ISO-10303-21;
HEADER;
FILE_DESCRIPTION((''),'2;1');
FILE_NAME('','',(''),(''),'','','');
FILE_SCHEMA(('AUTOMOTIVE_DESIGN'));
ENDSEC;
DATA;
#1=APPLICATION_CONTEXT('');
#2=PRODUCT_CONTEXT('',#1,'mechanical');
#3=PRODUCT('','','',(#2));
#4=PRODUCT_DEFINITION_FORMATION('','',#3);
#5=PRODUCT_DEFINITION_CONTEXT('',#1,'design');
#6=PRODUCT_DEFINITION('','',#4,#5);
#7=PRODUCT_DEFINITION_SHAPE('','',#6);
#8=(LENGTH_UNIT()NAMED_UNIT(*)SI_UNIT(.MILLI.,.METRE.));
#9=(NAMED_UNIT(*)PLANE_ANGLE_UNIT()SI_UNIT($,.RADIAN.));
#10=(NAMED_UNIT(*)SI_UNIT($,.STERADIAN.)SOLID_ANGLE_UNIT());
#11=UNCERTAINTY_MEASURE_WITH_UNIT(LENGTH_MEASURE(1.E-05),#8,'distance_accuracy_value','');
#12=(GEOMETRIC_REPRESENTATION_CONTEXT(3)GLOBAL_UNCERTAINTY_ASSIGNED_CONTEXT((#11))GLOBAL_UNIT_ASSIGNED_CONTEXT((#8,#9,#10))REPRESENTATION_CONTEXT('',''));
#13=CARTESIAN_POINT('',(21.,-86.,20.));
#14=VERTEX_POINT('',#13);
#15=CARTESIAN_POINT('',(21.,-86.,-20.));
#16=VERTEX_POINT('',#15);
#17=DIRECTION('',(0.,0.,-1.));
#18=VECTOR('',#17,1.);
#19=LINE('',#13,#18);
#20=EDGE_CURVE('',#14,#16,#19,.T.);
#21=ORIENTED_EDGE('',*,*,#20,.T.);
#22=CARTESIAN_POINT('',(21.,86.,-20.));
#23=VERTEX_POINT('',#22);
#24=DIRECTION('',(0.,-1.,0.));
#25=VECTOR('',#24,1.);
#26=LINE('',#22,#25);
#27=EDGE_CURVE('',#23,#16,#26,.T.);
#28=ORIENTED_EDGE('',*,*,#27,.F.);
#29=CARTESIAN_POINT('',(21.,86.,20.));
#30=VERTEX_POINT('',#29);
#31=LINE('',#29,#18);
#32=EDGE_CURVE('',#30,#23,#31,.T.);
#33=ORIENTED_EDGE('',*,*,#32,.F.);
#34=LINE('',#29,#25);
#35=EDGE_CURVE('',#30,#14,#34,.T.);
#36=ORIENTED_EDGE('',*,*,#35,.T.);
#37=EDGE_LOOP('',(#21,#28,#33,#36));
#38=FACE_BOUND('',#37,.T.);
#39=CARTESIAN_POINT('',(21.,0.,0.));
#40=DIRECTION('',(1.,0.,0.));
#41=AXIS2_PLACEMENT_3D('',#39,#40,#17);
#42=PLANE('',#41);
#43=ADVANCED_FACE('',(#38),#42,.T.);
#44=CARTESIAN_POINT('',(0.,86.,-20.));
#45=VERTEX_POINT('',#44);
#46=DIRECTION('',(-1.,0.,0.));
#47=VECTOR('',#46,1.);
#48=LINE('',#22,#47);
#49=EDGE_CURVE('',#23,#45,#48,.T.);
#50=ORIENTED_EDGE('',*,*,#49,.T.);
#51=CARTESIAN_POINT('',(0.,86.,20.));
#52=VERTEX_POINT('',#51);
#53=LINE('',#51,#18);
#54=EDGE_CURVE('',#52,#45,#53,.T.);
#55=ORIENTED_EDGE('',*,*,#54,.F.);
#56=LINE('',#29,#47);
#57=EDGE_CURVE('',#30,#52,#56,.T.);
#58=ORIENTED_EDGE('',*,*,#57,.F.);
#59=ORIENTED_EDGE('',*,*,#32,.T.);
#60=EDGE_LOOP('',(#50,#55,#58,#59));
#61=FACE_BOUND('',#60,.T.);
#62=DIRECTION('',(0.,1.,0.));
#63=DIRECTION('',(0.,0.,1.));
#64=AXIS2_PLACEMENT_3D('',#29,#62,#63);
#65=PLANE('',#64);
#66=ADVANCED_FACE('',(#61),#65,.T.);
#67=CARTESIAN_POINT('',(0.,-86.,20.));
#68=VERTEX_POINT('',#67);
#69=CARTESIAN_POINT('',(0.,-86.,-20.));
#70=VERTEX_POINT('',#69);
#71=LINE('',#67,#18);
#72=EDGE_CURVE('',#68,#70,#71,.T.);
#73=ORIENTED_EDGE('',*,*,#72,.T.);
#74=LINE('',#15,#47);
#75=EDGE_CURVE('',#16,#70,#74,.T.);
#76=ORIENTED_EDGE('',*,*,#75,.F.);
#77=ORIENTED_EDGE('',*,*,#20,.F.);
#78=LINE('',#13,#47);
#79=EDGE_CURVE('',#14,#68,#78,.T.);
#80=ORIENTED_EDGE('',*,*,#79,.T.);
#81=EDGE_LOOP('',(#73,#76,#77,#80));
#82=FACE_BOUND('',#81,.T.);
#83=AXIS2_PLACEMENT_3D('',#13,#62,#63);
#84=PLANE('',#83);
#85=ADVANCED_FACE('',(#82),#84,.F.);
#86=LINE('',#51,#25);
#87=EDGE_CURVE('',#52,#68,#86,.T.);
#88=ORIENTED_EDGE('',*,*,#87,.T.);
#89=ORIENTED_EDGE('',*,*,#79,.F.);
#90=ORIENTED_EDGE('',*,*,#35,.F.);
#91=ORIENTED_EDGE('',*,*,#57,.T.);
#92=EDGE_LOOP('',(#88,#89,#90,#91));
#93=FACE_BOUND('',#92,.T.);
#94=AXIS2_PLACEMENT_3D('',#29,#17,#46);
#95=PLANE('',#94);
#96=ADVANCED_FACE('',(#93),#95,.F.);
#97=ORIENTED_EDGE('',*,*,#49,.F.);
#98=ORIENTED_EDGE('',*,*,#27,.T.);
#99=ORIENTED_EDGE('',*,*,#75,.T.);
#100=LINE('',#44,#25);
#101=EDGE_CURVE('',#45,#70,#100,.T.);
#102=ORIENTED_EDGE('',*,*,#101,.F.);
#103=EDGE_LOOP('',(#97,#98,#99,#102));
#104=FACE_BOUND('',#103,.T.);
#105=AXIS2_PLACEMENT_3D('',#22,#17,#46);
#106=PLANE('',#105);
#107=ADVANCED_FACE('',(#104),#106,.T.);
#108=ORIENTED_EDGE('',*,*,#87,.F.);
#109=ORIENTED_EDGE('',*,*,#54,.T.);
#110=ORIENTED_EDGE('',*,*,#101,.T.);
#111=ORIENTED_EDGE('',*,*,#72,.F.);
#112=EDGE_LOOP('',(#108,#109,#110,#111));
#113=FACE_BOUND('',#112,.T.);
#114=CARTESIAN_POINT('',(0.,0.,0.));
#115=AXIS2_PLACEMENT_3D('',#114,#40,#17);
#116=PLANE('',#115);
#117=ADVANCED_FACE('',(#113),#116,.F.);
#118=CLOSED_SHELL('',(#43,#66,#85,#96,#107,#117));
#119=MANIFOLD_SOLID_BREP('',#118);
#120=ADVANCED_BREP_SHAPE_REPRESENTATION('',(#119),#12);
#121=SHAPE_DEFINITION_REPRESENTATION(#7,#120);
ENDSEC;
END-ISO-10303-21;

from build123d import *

# Parameters (mm, degrees)
SKETCH1_W           = 40
SKETCH1_H           = 172
BOSS_EXTRUDE1_DEPTH = 21


with BuildPart() as part:
    # Sketch1 → Boss-Extrude1 (new body)
    with BuildSketch(Plane(origin=(0, 0, 0), x_dir=(0, 0, -1), z_dir=(1, 0, 0))):
        Rectangle(SKETCH1_W, SKETCH1_H)
    extrude(amount=BOSS_EXTRUDE1_DEPTH)


solid = part.part
